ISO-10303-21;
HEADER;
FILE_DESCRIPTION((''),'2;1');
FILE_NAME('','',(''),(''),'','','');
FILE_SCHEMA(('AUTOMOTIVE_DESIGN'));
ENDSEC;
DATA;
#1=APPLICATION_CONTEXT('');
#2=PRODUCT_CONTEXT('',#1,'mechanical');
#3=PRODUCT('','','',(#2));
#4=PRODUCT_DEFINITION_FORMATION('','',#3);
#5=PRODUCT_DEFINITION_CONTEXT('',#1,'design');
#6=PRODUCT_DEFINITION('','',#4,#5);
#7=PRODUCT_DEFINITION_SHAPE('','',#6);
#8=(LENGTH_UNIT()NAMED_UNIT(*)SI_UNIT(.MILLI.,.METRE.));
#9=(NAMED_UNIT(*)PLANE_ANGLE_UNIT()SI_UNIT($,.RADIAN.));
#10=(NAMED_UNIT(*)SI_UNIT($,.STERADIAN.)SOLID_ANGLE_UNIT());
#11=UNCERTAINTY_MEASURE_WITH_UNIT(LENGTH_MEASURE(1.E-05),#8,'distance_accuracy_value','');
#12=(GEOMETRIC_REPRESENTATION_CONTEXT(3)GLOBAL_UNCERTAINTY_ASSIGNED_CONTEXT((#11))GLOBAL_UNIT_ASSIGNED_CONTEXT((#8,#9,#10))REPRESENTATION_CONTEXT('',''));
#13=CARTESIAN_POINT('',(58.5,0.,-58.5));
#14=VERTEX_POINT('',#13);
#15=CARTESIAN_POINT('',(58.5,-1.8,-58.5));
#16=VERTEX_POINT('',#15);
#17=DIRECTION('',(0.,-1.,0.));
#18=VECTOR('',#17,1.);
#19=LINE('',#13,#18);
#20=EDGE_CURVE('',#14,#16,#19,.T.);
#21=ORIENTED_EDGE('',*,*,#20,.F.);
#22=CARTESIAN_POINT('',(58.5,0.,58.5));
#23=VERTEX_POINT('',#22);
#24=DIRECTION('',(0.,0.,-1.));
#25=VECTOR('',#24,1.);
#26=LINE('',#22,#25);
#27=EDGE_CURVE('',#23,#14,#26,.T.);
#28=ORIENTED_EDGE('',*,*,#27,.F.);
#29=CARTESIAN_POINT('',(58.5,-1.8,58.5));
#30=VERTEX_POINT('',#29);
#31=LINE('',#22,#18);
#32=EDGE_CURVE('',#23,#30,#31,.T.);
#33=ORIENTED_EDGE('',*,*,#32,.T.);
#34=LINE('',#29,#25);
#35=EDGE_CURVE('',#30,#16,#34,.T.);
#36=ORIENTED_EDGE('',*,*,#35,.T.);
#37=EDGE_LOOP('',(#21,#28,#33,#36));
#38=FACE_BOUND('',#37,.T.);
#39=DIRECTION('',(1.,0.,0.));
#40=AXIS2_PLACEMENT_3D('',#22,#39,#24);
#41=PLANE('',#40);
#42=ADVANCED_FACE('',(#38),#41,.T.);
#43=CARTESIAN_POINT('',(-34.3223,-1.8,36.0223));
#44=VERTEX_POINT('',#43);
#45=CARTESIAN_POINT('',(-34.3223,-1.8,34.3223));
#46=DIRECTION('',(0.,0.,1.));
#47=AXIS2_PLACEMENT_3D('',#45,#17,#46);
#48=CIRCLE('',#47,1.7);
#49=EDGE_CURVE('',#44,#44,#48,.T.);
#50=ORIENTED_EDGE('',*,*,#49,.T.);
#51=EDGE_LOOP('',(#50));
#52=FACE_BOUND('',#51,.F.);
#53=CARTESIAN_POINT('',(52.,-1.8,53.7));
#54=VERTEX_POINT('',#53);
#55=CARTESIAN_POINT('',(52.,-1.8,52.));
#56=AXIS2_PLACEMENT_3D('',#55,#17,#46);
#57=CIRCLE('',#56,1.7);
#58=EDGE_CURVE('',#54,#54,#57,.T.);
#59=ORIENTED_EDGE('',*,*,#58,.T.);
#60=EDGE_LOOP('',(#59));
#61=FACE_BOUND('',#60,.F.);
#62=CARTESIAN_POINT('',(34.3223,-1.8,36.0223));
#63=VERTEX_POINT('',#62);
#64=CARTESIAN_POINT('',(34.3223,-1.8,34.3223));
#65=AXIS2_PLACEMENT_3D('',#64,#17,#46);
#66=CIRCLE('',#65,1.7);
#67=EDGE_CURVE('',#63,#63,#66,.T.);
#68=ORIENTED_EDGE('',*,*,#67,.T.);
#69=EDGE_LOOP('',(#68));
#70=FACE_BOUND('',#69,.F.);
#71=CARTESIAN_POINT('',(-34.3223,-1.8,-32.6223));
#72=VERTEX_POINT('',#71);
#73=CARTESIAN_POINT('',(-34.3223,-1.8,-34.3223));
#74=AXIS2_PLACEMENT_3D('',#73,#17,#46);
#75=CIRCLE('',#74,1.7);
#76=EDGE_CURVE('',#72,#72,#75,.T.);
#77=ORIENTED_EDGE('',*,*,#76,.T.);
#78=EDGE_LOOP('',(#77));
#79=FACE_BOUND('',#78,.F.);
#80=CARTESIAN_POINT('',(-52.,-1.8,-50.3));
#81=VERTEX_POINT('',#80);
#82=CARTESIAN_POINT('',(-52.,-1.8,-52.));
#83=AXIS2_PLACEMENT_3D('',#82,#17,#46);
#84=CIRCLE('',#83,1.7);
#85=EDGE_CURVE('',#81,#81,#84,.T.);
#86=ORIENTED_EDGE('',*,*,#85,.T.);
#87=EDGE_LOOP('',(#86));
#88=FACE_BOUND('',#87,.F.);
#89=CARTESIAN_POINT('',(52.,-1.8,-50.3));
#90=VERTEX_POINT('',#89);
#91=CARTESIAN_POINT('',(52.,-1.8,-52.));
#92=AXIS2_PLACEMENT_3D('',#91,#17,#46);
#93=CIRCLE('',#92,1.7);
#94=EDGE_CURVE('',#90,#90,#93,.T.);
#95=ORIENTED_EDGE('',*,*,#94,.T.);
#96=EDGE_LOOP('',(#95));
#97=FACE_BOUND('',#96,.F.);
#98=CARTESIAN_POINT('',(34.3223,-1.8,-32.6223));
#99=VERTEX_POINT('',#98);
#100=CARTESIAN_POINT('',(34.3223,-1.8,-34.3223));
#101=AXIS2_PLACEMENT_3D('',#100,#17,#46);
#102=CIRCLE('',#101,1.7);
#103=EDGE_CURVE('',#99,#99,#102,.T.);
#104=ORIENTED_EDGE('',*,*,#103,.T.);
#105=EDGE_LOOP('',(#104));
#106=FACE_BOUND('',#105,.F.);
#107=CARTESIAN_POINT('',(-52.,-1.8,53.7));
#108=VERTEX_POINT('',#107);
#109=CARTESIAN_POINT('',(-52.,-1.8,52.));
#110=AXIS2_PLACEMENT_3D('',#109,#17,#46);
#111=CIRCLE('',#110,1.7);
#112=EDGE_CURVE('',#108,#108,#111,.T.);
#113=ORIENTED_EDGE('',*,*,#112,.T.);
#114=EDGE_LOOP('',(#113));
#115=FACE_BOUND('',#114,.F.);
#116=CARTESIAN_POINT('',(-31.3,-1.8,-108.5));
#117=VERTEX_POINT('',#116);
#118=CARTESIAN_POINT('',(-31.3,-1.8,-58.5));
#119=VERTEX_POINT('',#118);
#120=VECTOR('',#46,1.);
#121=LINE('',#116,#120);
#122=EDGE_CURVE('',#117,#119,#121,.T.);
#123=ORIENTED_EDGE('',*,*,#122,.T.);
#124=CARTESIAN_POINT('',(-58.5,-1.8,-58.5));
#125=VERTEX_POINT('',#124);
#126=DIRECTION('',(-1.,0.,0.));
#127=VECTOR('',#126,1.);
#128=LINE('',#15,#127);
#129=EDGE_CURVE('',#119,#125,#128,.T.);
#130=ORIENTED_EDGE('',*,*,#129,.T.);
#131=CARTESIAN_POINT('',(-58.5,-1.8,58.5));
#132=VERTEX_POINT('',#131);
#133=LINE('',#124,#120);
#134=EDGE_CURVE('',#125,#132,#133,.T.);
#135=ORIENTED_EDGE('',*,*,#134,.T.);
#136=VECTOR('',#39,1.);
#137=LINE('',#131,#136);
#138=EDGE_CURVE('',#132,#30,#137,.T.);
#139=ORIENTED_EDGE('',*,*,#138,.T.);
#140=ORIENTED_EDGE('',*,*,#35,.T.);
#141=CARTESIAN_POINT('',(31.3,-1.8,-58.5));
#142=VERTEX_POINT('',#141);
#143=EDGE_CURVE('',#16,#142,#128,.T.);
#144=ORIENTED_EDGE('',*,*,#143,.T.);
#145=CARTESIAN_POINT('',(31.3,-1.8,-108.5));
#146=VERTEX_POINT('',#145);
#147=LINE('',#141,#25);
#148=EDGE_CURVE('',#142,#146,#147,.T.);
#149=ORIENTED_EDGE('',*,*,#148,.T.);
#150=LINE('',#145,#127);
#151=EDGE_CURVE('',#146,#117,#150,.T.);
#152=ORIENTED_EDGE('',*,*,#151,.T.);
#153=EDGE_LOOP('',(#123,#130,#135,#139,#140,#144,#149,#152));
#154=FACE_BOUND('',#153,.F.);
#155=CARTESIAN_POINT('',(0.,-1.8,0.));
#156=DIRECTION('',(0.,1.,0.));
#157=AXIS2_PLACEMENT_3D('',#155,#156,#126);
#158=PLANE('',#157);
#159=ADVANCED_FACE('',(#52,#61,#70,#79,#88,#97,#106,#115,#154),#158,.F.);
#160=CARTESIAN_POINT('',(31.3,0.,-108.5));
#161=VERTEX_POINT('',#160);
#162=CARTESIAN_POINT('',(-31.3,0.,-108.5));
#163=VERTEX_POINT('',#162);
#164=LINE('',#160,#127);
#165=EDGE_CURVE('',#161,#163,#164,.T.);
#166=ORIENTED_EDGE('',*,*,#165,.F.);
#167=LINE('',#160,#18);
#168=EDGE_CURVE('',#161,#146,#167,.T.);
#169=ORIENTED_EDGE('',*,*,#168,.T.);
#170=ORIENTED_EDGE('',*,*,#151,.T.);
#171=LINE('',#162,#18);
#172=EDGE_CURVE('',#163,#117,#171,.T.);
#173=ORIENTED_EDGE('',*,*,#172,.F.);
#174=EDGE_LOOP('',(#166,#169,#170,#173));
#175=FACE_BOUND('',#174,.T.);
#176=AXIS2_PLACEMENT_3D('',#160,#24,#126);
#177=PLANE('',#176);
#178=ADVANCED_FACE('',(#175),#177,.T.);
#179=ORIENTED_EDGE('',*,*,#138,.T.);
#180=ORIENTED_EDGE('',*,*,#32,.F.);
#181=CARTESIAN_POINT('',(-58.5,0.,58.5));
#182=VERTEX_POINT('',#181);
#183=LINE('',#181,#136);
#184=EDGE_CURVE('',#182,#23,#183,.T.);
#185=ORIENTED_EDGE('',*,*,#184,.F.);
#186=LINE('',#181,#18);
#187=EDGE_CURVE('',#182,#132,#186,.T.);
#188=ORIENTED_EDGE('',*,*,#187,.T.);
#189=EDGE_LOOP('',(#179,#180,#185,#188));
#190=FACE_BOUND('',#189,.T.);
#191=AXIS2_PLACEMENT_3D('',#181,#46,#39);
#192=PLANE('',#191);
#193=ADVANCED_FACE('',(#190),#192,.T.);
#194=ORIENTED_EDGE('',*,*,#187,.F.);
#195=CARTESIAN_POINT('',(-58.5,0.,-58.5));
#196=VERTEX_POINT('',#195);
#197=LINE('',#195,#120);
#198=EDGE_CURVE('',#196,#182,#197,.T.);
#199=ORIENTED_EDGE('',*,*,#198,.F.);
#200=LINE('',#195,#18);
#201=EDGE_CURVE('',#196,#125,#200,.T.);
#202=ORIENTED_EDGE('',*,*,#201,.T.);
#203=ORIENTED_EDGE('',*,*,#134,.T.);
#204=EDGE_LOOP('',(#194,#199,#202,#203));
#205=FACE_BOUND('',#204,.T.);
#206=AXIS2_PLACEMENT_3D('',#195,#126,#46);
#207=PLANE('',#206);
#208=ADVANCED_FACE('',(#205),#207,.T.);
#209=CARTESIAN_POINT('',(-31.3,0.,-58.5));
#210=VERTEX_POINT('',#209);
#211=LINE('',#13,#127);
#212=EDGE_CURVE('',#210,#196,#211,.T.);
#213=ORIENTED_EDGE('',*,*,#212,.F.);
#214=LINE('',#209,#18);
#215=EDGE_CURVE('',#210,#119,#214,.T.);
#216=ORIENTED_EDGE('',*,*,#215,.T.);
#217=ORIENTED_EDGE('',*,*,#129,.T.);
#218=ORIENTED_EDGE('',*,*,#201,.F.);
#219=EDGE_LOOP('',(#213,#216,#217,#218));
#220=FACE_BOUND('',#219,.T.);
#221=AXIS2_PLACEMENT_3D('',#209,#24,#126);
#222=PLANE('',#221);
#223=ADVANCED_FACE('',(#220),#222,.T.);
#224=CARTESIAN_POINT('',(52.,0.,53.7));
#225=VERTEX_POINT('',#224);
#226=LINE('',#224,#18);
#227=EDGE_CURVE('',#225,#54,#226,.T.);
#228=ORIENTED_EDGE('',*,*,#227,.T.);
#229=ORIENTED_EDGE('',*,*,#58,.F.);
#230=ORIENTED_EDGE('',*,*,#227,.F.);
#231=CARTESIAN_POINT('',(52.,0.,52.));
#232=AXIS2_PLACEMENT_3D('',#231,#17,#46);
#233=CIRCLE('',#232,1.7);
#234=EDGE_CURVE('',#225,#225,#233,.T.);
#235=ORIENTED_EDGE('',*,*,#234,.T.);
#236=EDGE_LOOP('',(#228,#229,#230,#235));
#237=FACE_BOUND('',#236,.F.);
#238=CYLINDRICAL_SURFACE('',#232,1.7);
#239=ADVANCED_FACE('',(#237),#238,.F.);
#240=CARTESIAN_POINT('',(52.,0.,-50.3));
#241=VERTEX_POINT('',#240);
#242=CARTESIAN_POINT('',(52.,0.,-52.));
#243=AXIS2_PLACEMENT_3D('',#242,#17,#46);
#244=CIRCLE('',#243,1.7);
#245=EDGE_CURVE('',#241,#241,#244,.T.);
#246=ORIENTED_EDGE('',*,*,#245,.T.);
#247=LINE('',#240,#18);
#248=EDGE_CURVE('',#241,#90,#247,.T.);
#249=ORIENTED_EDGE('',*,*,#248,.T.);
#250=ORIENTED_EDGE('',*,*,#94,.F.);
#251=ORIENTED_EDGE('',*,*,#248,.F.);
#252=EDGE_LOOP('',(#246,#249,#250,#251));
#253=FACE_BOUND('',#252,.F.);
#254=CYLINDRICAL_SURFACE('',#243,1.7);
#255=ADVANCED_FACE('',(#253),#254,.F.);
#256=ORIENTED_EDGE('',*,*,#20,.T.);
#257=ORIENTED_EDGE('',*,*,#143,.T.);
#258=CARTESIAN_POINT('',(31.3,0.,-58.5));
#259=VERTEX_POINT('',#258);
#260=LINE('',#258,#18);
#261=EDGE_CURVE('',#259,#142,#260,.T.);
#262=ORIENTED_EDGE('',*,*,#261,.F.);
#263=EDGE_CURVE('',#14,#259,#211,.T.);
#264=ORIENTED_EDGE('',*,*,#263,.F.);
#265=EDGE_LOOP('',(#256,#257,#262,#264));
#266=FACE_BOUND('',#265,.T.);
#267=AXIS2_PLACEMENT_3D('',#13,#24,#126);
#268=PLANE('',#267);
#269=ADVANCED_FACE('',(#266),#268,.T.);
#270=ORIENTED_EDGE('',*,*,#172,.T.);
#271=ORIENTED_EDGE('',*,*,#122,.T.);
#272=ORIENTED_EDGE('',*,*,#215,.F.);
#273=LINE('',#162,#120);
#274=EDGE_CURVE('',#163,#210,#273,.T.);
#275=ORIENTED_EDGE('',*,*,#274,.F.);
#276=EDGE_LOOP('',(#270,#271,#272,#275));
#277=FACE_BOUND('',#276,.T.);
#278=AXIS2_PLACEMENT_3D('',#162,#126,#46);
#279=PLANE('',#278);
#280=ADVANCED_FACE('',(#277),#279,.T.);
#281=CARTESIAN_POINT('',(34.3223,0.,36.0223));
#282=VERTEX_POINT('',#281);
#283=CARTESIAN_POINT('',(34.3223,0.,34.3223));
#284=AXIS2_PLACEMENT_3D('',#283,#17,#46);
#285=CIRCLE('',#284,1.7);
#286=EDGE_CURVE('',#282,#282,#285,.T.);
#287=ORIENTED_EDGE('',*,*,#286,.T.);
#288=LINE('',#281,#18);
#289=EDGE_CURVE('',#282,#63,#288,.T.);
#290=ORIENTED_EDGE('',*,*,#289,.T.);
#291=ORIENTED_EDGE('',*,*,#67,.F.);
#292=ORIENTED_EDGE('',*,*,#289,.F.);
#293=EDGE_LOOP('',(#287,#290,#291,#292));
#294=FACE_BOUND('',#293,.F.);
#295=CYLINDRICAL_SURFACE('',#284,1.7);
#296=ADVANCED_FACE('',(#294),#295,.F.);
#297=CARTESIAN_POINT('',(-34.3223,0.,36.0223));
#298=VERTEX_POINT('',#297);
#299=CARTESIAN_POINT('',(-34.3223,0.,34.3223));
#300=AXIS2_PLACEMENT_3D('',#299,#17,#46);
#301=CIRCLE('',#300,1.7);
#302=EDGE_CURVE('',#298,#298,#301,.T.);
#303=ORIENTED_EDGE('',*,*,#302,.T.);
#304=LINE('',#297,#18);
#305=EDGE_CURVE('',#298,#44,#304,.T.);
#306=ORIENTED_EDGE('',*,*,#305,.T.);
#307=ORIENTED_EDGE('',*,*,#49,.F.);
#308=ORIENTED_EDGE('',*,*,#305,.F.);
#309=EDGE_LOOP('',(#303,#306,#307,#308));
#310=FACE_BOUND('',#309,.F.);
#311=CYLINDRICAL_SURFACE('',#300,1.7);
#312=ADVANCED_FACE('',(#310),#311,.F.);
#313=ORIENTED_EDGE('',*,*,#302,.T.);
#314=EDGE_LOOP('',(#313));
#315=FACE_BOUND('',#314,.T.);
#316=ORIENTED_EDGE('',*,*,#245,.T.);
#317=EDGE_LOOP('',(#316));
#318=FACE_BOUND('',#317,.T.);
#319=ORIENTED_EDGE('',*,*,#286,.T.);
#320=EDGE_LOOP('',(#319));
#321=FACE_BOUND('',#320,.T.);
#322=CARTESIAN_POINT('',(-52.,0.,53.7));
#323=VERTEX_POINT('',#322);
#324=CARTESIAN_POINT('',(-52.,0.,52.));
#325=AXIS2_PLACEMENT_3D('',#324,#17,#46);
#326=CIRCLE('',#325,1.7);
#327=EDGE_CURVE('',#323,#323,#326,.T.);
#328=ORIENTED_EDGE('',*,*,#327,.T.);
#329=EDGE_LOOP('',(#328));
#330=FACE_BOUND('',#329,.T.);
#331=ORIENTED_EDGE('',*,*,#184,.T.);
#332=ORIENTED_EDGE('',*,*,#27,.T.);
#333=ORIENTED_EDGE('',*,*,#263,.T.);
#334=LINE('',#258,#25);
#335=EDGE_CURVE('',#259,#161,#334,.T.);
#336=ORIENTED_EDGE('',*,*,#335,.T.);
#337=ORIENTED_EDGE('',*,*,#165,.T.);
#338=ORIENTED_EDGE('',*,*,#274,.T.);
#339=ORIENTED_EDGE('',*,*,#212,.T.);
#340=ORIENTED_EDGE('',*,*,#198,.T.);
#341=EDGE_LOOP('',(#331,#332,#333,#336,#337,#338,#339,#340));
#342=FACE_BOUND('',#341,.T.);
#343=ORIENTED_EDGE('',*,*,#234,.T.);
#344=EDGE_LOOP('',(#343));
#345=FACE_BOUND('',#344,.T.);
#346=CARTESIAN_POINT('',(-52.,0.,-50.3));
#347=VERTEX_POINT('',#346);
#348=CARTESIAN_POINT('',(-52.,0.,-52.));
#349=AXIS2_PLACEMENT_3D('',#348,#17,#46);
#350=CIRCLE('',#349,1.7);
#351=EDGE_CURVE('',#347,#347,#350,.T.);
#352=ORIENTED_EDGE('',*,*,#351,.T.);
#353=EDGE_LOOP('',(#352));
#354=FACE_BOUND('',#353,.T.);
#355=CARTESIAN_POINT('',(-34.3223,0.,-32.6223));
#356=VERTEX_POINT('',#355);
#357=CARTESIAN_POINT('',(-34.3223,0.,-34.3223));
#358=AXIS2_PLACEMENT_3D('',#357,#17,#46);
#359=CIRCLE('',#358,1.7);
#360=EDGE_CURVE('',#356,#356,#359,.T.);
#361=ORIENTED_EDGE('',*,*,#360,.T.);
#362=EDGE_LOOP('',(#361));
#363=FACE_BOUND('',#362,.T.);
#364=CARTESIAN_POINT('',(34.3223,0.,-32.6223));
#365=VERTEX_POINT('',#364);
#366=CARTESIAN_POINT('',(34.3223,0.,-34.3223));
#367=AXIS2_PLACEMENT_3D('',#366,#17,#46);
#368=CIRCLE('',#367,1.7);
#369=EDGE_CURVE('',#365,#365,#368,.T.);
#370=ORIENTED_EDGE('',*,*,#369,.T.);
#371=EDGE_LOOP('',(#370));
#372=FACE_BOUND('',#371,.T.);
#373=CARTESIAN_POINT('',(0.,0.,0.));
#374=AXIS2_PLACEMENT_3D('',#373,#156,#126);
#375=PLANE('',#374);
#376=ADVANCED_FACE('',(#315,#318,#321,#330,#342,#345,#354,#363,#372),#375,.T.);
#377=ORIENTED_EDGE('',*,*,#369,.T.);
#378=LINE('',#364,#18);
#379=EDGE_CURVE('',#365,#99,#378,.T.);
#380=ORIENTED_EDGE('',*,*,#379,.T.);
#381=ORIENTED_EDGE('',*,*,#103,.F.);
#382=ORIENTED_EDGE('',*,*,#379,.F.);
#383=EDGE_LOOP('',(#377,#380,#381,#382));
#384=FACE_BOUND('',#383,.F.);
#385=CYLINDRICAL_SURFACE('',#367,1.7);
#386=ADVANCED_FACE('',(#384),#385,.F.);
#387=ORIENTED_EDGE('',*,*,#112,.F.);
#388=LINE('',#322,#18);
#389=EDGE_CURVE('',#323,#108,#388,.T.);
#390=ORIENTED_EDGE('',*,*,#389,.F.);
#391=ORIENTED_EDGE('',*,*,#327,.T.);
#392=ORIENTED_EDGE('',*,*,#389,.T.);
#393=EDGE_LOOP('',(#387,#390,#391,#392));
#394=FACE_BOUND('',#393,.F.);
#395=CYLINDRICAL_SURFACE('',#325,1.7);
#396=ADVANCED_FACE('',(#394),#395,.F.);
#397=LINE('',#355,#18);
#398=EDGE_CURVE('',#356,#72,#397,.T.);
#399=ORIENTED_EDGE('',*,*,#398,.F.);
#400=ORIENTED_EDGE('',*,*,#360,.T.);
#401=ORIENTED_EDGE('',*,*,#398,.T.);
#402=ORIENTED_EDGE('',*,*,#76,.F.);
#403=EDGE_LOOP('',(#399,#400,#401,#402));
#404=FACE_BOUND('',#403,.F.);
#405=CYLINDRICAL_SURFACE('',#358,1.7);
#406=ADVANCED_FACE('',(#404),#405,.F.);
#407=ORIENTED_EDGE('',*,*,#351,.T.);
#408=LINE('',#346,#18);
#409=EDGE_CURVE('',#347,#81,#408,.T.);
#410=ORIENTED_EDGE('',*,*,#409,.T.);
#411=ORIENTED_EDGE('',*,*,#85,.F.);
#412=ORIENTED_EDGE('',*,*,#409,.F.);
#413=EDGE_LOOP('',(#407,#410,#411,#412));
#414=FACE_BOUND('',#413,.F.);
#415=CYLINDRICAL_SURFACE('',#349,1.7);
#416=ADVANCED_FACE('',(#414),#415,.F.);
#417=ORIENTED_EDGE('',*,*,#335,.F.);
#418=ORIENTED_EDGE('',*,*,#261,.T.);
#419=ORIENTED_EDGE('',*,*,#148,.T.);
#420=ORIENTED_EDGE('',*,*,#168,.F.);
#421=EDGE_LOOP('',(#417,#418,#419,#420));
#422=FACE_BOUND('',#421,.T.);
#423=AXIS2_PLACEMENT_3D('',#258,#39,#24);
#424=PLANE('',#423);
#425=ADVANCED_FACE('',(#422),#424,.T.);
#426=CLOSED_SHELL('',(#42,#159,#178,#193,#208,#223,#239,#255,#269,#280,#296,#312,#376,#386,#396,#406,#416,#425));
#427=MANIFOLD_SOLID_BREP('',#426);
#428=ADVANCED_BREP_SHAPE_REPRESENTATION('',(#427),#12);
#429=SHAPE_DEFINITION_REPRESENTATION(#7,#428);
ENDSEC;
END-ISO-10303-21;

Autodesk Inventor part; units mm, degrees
ref_plane "YZ Plane" through (0, 0, 0) normal (1, 0, 0) x (0, 1, 0)
ref_plane "XZ Plane" through (0, 0, 0) normal (0, 1, 0) x (-1, 0, 0)
ref_plane "XY Plane" through (0, 0, 0) normal (0, 0, 1) x (1, 0, 0)
sketch "Boceto1" plane through (0, 0, 0) normal (0, 1, 0) x (-1, 0, 0)
  line L0 (-58.5, -58.5) -> (58.5, -58.5)
  line L1 (58.5, -58.5) -> (58.5, 58.5)
  line L2 (58.5, 58.5) -> (-58.5, 58.5)
  line L3 (-58.5, 58.5) -> (-58.5, -58.5)
  line L4 (-58.5, -58.5) -> (58.5, 58.5) construction
  line L5 (58.5, -58.5) -> (-58.5, 58.5) construction
  line L6 (-52, 52) -> (52, 52) construction
  line L7 (52, 52) -> (52, -52) construction
  line L8 (52, -52) -> (-52, -52) construction
  line L9 (-52, -52) -> (-52, 52) construction
  line L10 (-52, 52) -> (52, -52) construction
  line L11 (52, 52) -> (-52, -52) construction
  line L12 (34.3223, 34.3223) -> (-34.3223, 34.3223) construction
  line L13 (-34.3223, 34.3223) -> (-34.3223, -34.3223) construction
  line L14 (-34.3223, -34.3223) -> (34.3223, -34.3223) construction
  line L15 (34.3223, -34.3223) -> (34.3223, 34.3223) construction
  line L16 (34.3223, 34.3223) -> (-34.3223, -34.3223) construction
  line L17 (-34.3223, 34.3223) -> (34.3223, -34.3223) construction
  line L18 (0, -58.5) -> (0, -108.5) construction
  line L19 (31.3, -58.5) -> (-31.3, -58.5)
  line L20 (-31.3, -58.5) -> (-31.3, -108.5)
  line L21 (-31.3, -108.5) -> (31.3, -108.5)
  line L22 (31.3, -108.5) -> (31.3, -58.5)
  line L23 (31.3, -58.5) -> (-31.3, -108.5) construction
  line L24 (-31.3, -58.5) -> (31.3, -108.5) construction
  point P0 (0, 0)
  point P1 (0, -83.5)
  dimension "d0" = 117
  dimension "d1" = 117
  dimension "d2" = 104
  dimension "d3" = 25
  dimension "d4" = 50
  dimension "d5" = 62.6
extrude "Extrusión1" add sketch "Boceto1" against normal blind 1.8
hole "Agujero1" at (-52, 0, -52) at (-34.3223, 0, -34.3223) at (-52, 0, 52) at (-34.3223, 0, 34.3223) at (52, 0, 52) at (34.3223, 0, 34.3223) at (34.3223, 0, -34.3223) at (52, 0, -52) direction (0, -1, 0) diameter 3.4 end through all clearance for "Tornillo para maquinaria de cabeza plana" size "M3" standard "Perfil M métrico ANSI"
properties part number "swtc1" material "Polímero reforzado con fibra de carbono"
